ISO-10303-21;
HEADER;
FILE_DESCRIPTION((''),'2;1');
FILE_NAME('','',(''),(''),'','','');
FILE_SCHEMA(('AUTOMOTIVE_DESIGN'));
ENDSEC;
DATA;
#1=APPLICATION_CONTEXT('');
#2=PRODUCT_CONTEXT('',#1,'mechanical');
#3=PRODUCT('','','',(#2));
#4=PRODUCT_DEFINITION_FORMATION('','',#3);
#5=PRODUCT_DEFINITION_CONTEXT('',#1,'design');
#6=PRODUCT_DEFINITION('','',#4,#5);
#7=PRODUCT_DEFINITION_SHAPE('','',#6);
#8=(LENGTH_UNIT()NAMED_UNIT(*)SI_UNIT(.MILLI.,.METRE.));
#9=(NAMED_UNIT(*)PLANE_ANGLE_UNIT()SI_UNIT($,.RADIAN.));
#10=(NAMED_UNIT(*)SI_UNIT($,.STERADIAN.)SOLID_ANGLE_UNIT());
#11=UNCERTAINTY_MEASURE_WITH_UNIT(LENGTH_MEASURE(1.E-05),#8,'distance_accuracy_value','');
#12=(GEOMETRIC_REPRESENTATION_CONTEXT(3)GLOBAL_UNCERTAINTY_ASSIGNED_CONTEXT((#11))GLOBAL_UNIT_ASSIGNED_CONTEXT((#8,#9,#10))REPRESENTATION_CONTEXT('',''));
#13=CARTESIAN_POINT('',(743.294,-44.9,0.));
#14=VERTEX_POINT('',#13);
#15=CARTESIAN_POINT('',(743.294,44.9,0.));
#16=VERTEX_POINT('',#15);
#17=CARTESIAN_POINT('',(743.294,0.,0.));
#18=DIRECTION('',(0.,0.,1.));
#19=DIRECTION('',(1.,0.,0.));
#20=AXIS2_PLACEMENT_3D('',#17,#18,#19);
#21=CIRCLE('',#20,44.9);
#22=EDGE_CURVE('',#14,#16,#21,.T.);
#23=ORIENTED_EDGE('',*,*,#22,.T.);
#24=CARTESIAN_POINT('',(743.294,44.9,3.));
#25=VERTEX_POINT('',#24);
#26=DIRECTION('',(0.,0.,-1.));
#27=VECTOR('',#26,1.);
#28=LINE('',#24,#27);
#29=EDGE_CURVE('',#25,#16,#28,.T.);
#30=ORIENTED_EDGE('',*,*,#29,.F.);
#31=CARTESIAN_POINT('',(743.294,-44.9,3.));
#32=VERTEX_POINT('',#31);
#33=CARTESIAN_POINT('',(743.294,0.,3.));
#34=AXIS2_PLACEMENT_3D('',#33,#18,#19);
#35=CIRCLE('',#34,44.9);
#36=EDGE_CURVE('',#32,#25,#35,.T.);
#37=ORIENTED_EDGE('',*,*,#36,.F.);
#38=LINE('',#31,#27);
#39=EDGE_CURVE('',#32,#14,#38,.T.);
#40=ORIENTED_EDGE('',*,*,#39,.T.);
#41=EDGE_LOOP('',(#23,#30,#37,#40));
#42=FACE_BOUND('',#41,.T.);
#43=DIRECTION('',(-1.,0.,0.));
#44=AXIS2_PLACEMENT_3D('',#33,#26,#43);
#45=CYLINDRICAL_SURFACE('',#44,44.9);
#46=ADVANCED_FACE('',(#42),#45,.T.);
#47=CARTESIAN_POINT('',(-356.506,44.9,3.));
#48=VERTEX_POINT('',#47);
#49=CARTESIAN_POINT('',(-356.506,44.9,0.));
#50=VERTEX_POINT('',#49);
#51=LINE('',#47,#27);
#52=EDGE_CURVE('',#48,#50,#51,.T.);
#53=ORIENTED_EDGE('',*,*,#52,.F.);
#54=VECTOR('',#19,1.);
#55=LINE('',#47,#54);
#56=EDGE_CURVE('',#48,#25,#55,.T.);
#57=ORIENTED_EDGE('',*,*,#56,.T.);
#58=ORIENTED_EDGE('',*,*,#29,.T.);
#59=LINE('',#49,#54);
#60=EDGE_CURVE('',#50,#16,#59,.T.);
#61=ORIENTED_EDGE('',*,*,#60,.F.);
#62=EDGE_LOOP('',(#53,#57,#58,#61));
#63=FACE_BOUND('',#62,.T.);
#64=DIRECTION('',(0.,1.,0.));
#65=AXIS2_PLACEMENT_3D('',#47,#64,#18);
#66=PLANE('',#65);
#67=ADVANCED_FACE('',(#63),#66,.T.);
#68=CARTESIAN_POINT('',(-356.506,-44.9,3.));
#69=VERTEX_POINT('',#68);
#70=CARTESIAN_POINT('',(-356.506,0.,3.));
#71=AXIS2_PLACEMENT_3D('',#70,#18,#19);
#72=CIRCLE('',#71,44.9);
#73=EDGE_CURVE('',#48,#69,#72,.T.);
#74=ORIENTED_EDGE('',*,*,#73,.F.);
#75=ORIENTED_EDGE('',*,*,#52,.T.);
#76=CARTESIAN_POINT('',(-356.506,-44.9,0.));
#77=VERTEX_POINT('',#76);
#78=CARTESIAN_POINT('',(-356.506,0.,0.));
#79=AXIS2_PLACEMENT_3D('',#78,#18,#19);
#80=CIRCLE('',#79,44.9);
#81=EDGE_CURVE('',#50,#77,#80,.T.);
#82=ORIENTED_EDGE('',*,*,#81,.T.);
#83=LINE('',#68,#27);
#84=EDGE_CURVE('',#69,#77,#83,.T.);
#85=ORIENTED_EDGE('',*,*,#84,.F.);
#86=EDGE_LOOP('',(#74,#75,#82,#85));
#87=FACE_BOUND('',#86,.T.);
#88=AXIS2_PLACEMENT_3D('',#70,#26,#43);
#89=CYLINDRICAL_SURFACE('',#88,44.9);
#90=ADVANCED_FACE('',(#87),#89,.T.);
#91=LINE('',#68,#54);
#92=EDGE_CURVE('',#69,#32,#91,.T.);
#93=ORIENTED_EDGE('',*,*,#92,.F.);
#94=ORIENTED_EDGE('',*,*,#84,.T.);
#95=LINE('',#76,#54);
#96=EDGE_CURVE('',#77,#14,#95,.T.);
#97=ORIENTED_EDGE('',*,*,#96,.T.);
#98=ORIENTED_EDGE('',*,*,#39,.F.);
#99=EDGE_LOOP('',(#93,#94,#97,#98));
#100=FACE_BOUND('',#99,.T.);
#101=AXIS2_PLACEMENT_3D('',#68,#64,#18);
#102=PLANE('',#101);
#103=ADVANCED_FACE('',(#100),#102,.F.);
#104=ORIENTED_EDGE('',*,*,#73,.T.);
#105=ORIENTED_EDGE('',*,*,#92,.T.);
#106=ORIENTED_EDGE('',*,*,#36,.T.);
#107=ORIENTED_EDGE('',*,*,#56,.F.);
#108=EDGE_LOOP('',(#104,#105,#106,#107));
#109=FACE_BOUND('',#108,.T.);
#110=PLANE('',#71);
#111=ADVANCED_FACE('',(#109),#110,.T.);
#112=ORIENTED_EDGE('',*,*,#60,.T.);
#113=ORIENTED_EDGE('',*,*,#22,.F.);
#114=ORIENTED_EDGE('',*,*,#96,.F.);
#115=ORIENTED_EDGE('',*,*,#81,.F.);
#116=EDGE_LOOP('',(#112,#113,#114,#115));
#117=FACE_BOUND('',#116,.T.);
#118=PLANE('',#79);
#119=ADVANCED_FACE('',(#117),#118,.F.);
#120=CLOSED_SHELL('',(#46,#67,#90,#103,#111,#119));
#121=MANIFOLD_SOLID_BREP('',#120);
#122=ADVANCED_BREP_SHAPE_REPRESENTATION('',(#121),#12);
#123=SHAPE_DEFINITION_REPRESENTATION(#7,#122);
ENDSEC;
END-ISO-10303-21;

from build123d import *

# Parameters (mm, degrees)
BOSS_EXTRUDE2_DEPTH = 3


with BuildPart() as part:
    # Sketch1 → Boss-Extrude2 (new body)
    with BuildSketch(Plane.XY):
        with BuildLine():
            Line((-356.506, 44.9), (743.294, 44.9))
            ThreePointArc((743.294, 44.9), (788.194, 0), (743.294, -44.9))
            Line((743.294, -44.9), (-356.506, -44.9))
            ThreePointArc((-356.506, -44.9), (-401.406, 0), (-356.506, 44.9))
        make_face()
    extrude(amount=BOSS_EXTRUDE2_DEPTH)


solid = part.part
